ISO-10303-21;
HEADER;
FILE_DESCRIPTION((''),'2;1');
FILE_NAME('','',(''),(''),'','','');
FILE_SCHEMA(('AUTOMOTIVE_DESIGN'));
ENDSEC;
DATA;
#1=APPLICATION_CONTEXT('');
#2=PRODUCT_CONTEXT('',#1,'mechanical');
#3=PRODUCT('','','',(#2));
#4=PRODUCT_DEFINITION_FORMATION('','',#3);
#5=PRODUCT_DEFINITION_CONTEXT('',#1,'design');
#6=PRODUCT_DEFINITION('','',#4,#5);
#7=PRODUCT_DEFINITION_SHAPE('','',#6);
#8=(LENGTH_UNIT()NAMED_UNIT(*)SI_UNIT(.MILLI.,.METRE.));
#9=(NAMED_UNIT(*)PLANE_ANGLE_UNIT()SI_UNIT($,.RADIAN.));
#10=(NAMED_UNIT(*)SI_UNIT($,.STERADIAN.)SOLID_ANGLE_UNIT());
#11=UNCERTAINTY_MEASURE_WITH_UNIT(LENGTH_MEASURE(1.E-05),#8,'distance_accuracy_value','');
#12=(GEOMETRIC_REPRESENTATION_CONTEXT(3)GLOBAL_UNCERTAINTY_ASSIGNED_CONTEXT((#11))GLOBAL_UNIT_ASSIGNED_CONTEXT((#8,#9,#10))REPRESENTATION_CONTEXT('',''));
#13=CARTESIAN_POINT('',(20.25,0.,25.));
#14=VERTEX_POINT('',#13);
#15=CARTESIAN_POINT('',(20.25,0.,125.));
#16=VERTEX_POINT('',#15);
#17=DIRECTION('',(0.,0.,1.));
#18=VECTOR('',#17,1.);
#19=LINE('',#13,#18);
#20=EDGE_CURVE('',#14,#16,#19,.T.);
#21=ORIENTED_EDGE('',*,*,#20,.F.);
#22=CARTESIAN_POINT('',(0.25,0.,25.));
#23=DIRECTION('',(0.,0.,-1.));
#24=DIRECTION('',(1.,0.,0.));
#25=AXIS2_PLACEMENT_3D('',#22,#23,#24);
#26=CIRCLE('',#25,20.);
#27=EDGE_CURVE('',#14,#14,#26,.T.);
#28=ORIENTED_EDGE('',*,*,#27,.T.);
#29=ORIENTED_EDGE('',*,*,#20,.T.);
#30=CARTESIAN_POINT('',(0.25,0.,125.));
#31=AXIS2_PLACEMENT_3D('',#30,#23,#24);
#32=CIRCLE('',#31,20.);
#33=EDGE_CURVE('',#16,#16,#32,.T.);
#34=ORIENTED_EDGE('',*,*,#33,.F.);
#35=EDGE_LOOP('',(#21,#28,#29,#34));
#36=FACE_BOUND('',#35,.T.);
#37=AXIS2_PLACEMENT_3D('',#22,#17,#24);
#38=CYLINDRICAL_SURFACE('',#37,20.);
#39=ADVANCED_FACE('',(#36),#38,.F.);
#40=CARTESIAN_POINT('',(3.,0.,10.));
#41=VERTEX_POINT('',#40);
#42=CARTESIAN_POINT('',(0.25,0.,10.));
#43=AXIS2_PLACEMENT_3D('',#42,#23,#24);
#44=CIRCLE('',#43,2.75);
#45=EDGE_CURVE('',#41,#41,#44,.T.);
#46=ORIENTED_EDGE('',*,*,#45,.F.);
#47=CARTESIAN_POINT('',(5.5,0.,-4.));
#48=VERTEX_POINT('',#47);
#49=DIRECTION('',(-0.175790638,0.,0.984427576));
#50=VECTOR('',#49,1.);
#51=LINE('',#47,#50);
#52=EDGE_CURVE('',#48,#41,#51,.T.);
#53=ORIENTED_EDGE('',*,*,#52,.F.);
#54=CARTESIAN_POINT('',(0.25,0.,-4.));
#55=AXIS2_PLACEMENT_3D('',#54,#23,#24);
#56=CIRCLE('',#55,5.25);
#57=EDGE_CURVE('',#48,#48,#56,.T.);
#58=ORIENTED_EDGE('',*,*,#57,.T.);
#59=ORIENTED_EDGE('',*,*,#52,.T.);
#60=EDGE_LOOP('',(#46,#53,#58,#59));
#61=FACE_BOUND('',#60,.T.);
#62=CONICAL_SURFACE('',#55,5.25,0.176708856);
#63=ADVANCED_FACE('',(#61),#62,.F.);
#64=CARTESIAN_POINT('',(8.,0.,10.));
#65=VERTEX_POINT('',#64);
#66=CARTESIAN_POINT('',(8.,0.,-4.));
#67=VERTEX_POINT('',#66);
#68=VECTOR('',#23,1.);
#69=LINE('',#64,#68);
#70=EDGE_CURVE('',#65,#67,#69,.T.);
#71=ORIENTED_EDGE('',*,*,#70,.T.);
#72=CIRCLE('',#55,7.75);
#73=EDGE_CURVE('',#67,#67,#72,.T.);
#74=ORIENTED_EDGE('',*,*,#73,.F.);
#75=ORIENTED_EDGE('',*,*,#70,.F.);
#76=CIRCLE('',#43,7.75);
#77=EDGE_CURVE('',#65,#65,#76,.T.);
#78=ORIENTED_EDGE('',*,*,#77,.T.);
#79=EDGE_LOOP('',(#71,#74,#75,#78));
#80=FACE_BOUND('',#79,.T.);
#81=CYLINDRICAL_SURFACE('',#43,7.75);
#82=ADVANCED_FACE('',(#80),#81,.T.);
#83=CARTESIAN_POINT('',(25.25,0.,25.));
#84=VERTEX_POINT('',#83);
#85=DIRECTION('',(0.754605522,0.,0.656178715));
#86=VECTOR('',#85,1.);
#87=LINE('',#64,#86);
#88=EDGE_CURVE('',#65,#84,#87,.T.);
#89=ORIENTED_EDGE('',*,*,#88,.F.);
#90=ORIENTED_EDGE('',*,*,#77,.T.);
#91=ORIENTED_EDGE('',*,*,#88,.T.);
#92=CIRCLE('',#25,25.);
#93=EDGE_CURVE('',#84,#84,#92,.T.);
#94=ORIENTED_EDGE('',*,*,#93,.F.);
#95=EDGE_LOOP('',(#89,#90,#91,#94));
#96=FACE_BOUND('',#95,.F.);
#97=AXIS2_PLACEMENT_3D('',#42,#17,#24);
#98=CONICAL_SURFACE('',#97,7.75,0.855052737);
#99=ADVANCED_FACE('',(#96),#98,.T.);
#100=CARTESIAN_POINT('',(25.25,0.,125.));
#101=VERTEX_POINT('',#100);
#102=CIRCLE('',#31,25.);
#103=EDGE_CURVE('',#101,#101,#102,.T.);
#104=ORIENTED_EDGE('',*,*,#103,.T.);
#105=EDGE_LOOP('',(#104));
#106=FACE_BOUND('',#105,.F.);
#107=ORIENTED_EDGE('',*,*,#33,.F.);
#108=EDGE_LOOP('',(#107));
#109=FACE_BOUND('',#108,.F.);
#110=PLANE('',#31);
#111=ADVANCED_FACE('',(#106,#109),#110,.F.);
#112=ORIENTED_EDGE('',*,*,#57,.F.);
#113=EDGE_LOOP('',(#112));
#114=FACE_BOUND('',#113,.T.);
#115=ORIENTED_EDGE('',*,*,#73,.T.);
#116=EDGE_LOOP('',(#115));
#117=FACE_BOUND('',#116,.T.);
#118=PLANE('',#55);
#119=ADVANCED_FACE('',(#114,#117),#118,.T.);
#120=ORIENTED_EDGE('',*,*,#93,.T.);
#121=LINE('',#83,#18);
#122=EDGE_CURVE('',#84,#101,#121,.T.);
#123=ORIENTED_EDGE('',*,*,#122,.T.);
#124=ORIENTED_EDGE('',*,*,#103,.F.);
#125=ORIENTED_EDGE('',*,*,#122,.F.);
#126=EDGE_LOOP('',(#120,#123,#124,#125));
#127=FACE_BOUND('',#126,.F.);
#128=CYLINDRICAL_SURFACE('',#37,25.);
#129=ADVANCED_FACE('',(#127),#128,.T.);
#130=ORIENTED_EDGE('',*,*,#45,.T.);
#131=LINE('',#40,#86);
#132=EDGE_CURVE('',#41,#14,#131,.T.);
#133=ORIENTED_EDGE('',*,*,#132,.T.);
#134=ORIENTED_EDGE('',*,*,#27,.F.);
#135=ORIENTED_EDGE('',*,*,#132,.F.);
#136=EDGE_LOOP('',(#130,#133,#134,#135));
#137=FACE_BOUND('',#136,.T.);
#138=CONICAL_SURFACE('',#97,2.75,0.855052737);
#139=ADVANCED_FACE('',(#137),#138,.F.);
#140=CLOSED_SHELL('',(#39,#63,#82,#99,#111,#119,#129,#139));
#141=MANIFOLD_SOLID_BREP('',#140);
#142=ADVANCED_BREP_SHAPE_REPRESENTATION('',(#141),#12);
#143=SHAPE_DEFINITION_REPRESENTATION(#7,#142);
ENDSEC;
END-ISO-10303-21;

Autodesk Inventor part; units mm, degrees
ref_plane "YZ Plane" through (0, 0, 0) normal (1, 0, 0) x (0, 1, 0)
ref_plane "XZ Plane" through (0, 0, 0) normal (0, 1, 0) x (-1, 0, 0)
ref_plane "XY Plane" through (0, 0, 0) normal (0, 0, 1) x (1, 0, 0)
sketch "Esquisse3" plane through (0, 0, 0) normal (0, 1, 0) x (-1, 0, 0)
  line L0 (-0.25, 6.0789) -> (-0.25, -5.5)
  line L1 (-8, 10) -> (-8, -4)
  line L2 (-8, -4) -> (-5.5, -4)
  line L3 (-5.5, -4) -> (-3, 10)
  line L4 (-3, 10) -> (-8, 10)
  line L5 (0, -31.6) -> (0, 151.1) construction
  line L6 (5.05, 0) -> (-30.3, 0) construction
  line L7 (-3, 10) -> (-20.25, 25)
  line L8 (-20.25, 25) -> (-20.25, 125)
  line L9 (-8, 10) -> (-25.25, 25)
  line L10 (-25.25, 25) -> (-25.25, 125)
  line L11 (-25.25, 125) -> (-20.25, 125)
  line L12 (-30.3, 0) -> (5.05, 0) construction
  point P0 (0, 0)
  dimension "d0" = 5.5
  dimension "d1" = 10.5
  dimension "d2" = 15.5
  dimension "d3" = 14
  dimension "d4" = 8
  dimension "d5" = 10
  dimension "d9" = 40
  dimension "d10" = 15
  dimension "d11" = 100
  dimension "d13" = 5
  dimension "d14" = 5
  dimension "d15" = 125
revolve "Révolution1" add sketch "Esquisse3" angle 360 about axis through (0.25, 0, 6.0789) along (0, 0, -1)
properties part number "P006_CanonConfettis"
